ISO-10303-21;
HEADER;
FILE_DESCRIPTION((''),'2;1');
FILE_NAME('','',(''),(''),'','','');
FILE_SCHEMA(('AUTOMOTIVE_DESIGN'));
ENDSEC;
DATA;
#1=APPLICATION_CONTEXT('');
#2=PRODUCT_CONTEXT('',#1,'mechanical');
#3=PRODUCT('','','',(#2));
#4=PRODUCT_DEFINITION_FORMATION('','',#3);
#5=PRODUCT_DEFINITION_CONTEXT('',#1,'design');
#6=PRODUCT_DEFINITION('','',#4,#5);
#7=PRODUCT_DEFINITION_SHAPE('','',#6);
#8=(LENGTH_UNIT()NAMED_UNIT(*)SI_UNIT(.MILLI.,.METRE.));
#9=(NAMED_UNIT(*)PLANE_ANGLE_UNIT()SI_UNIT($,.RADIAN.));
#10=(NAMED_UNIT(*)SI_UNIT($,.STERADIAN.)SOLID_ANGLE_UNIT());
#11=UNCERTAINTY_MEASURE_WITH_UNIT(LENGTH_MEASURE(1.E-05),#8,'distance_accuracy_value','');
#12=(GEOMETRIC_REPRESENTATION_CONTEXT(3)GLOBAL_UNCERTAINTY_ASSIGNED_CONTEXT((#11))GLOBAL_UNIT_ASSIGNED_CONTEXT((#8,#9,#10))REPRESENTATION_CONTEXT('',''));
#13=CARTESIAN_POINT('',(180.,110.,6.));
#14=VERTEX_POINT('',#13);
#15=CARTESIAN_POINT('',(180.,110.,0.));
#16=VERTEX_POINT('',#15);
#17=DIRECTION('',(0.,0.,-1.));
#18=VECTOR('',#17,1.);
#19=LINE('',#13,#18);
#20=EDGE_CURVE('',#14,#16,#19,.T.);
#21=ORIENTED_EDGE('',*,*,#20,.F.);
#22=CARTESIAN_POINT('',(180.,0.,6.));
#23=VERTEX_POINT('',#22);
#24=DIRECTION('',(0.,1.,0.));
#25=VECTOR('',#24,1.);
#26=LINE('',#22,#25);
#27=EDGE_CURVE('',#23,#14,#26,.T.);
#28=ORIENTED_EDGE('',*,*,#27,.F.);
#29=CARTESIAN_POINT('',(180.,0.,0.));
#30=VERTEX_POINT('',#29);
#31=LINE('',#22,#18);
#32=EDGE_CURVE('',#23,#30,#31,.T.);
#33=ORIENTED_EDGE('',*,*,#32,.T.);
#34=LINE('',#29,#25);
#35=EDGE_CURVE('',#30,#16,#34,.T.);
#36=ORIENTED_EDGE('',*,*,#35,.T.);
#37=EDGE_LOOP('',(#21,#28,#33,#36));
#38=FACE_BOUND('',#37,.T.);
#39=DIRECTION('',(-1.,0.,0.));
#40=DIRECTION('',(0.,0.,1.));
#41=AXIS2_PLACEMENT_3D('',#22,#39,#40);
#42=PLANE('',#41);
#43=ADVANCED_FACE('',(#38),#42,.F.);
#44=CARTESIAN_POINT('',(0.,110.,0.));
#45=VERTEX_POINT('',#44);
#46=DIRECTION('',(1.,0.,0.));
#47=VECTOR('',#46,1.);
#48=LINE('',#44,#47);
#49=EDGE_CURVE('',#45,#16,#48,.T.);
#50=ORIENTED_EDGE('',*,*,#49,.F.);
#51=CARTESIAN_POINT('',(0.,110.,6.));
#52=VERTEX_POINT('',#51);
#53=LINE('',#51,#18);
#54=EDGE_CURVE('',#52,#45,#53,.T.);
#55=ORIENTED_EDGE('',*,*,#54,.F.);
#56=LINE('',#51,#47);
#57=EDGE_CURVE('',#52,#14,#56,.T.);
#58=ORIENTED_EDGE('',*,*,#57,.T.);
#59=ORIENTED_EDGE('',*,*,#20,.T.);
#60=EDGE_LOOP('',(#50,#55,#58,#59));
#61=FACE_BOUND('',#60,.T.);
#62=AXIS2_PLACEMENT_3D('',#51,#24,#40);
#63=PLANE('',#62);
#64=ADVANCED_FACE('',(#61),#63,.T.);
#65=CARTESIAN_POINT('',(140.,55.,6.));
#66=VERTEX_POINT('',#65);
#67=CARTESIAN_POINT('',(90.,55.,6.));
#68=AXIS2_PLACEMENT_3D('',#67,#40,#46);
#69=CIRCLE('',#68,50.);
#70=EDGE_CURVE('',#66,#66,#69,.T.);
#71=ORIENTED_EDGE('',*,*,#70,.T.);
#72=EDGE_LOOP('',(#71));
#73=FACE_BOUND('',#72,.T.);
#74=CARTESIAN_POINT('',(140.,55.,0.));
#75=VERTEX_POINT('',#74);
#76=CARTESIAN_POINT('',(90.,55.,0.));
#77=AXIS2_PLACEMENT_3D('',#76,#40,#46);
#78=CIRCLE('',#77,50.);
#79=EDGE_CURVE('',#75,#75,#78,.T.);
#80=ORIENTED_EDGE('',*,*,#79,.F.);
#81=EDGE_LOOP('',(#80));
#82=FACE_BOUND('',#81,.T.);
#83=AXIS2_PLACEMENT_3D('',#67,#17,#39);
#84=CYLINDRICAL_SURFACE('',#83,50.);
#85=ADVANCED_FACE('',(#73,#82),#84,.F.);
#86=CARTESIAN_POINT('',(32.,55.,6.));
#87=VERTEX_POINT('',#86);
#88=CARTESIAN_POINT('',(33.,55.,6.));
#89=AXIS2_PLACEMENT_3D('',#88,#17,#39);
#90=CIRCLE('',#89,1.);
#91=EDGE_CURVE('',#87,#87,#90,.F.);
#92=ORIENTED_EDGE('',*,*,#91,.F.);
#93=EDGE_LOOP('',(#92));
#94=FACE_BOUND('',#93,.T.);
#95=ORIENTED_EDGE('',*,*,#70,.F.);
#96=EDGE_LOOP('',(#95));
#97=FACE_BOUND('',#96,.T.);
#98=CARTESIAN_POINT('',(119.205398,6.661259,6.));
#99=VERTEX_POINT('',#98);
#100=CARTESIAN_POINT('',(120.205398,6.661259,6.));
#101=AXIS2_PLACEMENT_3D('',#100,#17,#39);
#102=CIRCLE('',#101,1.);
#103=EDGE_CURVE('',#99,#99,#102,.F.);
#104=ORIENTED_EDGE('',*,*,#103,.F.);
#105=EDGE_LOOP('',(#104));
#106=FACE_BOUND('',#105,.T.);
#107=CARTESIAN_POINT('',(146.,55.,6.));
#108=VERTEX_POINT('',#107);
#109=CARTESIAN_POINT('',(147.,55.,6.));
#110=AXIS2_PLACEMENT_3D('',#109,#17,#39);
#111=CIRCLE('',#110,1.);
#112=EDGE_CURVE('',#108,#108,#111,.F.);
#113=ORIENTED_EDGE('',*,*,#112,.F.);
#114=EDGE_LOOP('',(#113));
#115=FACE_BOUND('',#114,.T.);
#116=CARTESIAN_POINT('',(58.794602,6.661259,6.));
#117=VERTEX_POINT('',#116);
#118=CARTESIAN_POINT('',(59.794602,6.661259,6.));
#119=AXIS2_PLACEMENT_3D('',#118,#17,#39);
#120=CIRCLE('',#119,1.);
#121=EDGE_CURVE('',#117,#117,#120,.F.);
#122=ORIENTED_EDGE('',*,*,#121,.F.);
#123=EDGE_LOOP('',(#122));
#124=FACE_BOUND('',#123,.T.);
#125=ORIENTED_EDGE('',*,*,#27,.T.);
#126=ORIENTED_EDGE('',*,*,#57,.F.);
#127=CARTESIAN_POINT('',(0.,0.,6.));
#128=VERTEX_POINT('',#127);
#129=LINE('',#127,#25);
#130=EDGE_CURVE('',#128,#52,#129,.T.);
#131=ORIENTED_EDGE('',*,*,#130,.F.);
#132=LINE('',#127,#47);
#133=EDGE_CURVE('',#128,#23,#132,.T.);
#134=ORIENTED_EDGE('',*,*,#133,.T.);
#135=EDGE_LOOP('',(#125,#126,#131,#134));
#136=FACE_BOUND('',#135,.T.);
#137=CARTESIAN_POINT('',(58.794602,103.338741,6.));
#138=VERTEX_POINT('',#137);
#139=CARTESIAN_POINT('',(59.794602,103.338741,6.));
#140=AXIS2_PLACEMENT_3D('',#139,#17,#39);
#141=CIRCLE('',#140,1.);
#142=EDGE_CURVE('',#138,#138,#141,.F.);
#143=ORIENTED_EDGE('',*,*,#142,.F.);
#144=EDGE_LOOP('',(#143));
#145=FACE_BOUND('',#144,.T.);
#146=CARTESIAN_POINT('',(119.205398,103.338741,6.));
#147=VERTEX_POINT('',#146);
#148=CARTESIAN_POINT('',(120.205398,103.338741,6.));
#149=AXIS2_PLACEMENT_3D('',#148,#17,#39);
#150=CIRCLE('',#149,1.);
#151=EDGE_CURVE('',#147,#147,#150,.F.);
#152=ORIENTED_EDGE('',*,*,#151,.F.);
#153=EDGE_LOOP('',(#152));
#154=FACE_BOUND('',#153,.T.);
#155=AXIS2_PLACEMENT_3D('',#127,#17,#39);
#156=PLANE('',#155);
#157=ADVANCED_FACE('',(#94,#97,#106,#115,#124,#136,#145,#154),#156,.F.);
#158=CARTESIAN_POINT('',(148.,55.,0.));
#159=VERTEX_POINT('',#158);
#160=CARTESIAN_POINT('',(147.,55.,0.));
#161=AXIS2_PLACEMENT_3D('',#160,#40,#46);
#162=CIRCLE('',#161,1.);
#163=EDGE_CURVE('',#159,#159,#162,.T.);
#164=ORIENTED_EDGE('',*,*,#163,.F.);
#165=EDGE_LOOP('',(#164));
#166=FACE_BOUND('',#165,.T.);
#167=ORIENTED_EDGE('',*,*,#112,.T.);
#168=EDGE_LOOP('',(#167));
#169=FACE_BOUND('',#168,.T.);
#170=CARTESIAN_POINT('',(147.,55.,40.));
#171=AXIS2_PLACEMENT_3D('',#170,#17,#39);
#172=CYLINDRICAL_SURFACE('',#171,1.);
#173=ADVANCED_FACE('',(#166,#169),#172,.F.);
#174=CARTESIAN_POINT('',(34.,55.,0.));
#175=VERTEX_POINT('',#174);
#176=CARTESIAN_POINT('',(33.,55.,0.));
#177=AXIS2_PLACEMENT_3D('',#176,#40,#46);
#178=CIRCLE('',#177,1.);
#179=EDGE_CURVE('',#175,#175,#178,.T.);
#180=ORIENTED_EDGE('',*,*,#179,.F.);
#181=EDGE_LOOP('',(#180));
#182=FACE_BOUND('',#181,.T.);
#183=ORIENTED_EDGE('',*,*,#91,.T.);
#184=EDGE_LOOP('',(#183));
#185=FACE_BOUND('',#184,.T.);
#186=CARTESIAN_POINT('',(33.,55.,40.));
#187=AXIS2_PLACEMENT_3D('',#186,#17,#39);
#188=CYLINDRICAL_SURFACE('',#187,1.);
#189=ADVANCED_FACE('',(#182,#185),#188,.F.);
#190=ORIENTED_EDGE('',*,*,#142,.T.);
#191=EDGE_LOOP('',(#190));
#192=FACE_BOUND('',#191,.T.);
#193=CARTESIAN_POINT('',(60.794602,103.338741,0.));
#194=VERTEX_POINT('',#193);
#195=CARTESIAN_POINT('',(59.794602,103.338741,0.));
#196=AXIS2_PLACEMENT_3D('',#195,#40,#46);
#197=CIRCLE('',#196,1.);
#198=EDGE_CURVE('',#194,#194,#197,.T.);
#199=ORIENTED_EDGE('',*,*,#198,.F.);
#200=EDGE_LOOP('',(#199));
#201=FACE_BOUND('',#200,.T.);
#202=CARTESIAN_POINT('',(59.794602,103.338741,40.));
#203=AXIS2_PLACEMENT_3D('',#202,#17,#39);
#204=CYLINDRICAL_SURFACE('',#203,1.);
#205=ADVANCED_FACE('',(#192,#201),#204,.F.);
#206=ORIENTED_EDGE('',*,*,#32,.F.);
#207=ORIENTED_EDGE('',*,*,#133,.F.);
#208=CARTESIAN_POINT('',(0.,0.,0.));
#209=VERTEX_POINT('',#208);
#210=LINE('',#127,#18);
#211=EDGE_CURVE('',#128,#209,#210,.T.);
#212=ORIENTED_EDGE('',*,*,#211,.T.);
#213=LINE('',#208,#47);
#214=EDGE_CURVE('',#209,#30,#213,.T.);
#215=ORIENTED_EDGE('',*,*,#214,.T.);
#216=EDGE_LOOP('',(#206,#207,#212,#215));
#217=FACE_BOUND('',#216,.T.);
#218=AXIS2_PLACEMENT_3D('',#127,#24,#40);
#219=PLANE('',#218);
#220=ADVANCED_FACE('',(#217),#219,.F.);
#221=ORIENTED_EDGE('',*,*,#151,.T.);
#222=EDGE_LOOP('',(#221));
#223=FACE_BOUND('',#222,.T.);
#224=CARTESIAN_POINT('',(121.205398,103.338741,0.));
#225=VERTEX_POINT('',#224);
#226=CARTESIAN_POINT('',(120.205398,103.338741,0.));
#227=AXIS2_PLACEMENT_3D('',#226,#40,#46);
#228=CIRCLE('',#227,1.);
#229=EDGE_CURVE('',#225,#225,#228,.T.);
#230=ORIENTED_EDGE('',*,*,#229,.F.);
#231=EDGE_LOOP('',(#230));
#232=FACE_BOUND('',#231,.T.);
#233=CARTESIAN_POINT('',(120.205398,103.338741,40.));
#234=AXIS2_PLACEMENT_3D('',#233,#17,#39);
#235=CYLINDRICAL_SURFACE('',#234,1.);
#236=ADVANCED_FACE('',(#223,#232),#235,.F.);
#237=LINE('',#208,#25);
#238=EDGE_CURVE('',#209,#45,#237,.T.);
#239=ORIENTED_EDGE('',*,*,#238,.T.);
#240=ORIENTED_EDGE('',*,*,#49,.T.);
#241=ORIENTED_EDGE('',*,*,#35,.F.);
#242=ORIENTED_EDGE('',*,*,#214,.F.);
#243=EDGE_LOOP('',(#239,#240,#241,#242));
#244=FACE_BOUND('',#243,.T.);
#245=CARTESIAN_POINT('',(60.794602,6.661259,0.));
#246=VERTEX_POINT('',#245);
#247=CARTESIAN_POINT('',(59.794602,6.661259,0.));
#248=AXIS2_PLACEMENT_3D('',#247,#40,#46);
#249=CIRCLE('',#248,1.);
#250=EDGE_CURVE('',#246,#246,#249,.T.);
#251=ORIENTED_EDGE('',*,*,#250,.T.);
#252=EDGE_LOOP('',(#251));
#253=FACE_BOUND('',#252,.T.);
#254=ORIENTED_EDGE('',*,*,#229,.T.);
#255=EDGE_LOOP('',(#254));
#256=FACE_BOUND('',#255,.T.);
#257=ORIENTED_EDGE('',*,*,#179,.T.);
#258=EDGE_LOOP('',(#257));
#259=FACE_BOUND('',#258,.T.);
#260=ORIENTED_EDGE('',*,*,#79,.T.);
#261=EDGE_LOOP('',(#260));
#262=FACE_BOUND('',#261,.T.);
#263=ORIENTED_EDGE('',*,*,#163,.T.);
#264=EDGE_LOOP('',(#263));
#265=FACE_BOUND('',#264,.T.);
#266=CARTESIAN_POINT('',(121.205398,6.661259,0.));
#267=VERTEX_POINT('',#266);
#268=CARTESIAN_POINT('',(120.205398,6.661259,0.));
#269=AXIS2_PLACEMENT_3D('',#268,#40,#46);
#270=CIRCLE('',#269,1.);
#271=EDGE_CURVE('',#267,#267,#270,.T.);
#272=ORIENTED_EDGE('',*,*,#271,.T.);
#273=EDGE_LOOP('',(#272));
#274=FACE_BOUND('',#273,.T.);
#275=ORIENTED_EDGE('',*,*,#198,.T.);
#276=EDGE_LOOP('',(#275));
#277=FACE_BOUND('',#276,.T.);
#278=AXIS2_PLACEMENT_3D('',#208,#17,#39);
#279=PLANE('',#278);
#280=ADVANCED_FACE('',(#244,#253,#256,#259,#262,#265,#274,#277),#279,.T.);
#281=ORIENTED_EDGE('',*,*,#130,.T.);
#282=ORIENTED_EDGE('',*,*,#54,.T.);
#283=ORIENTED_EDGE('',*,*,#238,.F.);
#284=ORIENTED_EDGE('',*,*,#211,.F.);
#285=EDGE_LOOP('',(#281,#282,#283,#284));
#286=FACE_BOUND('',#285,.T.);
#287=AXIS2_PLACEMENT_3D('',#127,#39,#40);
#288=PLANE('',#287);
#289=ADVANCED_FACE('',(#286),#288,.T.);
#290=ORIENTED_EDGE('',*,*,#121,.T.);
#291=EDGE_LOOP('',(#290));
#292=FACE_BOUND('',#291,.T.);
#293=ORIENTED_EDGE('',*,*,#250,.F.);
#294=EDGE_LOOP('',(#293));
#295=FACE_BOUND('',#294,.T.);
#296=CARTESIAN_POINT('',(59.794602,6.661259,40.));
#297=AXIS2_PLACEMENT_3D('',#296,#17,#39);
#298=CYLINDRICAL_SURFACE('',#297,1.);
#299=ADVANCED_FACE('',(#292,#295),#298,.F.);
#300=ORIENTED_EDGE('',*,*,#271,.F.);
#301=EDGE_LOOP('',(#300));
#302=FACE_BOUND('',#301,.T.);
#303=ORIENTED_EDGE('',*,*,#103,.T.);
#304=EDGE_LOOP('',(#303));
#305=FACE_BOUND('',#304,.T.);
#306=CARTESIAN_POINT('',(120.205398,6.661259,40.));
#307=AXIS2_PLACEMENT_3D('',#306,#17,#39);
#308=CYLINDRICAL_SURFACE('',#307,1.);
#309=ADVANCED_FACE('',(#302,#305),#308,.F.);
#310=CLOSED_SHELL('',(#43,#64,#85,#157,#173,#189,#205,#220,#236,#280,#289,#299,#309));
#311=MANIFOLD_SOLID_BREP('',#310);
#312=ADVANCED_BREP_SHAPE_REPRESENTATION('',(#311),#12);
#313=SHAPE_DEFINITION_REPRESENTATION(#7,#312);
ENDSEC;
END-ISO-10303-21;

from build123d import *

# Parameters (mm, degrees)
SKETCH1_W           = 180
SKETCH1_H           = 110
BOSS_EXTRUDE1_DEPTH = 6
SKETCH2_R           = 50
CUT_EXTRUDE1_DEPTH  = 6
SKETCH4_R           = 1
CUT_EXTRUDE2_DEPTH  = 40


with BuildPart() as part:
    # Sketch1 → Boss-Extrude1 (new body)
    with BuildSketch(Plane.XY):
        with Locations((90, 55)):
            Rectangle(SKETCH1_W, SKETCH1_H)
    extrude(amount=BOSS_EXTRUDE1_DEPTH)

    # Sketch2 → Cut-Extrude1 (cut)
    with BuildSketch(Plane.XY):
        with Locations((90, 55)):
            Circle(SKETCH2_R)
    extrude(amount=CUT_EXTRUDE1_DEPTH, mode=Mode.SUBTRACT)

    # Sketch4 → Cut-Extrude2 (cut)
    with BuildSketch(Plane.XY):
        with Locations((59.794601939, 103.338741481)):
            Circle(SKETCH4_R)
        with Locations((120.205398061, 103.338741481)):
            Circle(SKETCH4_R)
        with Locations((147, 55)):
            Circle(SKETCH4_R)
        with Locations((120.205398061, 6.661258519)):
            Circle(SKETCH4_R)
        with Locations((59.794601939, 6.661258519)):
            Circle(SKETCH4_R)
        with Locations((33, 55)):
            Circle(SKETCH4_R)
    extrude(amount=CUT_EXTRUDE2_DEPTH, mode=Mode.SUBTRACT)


solid = part.part
